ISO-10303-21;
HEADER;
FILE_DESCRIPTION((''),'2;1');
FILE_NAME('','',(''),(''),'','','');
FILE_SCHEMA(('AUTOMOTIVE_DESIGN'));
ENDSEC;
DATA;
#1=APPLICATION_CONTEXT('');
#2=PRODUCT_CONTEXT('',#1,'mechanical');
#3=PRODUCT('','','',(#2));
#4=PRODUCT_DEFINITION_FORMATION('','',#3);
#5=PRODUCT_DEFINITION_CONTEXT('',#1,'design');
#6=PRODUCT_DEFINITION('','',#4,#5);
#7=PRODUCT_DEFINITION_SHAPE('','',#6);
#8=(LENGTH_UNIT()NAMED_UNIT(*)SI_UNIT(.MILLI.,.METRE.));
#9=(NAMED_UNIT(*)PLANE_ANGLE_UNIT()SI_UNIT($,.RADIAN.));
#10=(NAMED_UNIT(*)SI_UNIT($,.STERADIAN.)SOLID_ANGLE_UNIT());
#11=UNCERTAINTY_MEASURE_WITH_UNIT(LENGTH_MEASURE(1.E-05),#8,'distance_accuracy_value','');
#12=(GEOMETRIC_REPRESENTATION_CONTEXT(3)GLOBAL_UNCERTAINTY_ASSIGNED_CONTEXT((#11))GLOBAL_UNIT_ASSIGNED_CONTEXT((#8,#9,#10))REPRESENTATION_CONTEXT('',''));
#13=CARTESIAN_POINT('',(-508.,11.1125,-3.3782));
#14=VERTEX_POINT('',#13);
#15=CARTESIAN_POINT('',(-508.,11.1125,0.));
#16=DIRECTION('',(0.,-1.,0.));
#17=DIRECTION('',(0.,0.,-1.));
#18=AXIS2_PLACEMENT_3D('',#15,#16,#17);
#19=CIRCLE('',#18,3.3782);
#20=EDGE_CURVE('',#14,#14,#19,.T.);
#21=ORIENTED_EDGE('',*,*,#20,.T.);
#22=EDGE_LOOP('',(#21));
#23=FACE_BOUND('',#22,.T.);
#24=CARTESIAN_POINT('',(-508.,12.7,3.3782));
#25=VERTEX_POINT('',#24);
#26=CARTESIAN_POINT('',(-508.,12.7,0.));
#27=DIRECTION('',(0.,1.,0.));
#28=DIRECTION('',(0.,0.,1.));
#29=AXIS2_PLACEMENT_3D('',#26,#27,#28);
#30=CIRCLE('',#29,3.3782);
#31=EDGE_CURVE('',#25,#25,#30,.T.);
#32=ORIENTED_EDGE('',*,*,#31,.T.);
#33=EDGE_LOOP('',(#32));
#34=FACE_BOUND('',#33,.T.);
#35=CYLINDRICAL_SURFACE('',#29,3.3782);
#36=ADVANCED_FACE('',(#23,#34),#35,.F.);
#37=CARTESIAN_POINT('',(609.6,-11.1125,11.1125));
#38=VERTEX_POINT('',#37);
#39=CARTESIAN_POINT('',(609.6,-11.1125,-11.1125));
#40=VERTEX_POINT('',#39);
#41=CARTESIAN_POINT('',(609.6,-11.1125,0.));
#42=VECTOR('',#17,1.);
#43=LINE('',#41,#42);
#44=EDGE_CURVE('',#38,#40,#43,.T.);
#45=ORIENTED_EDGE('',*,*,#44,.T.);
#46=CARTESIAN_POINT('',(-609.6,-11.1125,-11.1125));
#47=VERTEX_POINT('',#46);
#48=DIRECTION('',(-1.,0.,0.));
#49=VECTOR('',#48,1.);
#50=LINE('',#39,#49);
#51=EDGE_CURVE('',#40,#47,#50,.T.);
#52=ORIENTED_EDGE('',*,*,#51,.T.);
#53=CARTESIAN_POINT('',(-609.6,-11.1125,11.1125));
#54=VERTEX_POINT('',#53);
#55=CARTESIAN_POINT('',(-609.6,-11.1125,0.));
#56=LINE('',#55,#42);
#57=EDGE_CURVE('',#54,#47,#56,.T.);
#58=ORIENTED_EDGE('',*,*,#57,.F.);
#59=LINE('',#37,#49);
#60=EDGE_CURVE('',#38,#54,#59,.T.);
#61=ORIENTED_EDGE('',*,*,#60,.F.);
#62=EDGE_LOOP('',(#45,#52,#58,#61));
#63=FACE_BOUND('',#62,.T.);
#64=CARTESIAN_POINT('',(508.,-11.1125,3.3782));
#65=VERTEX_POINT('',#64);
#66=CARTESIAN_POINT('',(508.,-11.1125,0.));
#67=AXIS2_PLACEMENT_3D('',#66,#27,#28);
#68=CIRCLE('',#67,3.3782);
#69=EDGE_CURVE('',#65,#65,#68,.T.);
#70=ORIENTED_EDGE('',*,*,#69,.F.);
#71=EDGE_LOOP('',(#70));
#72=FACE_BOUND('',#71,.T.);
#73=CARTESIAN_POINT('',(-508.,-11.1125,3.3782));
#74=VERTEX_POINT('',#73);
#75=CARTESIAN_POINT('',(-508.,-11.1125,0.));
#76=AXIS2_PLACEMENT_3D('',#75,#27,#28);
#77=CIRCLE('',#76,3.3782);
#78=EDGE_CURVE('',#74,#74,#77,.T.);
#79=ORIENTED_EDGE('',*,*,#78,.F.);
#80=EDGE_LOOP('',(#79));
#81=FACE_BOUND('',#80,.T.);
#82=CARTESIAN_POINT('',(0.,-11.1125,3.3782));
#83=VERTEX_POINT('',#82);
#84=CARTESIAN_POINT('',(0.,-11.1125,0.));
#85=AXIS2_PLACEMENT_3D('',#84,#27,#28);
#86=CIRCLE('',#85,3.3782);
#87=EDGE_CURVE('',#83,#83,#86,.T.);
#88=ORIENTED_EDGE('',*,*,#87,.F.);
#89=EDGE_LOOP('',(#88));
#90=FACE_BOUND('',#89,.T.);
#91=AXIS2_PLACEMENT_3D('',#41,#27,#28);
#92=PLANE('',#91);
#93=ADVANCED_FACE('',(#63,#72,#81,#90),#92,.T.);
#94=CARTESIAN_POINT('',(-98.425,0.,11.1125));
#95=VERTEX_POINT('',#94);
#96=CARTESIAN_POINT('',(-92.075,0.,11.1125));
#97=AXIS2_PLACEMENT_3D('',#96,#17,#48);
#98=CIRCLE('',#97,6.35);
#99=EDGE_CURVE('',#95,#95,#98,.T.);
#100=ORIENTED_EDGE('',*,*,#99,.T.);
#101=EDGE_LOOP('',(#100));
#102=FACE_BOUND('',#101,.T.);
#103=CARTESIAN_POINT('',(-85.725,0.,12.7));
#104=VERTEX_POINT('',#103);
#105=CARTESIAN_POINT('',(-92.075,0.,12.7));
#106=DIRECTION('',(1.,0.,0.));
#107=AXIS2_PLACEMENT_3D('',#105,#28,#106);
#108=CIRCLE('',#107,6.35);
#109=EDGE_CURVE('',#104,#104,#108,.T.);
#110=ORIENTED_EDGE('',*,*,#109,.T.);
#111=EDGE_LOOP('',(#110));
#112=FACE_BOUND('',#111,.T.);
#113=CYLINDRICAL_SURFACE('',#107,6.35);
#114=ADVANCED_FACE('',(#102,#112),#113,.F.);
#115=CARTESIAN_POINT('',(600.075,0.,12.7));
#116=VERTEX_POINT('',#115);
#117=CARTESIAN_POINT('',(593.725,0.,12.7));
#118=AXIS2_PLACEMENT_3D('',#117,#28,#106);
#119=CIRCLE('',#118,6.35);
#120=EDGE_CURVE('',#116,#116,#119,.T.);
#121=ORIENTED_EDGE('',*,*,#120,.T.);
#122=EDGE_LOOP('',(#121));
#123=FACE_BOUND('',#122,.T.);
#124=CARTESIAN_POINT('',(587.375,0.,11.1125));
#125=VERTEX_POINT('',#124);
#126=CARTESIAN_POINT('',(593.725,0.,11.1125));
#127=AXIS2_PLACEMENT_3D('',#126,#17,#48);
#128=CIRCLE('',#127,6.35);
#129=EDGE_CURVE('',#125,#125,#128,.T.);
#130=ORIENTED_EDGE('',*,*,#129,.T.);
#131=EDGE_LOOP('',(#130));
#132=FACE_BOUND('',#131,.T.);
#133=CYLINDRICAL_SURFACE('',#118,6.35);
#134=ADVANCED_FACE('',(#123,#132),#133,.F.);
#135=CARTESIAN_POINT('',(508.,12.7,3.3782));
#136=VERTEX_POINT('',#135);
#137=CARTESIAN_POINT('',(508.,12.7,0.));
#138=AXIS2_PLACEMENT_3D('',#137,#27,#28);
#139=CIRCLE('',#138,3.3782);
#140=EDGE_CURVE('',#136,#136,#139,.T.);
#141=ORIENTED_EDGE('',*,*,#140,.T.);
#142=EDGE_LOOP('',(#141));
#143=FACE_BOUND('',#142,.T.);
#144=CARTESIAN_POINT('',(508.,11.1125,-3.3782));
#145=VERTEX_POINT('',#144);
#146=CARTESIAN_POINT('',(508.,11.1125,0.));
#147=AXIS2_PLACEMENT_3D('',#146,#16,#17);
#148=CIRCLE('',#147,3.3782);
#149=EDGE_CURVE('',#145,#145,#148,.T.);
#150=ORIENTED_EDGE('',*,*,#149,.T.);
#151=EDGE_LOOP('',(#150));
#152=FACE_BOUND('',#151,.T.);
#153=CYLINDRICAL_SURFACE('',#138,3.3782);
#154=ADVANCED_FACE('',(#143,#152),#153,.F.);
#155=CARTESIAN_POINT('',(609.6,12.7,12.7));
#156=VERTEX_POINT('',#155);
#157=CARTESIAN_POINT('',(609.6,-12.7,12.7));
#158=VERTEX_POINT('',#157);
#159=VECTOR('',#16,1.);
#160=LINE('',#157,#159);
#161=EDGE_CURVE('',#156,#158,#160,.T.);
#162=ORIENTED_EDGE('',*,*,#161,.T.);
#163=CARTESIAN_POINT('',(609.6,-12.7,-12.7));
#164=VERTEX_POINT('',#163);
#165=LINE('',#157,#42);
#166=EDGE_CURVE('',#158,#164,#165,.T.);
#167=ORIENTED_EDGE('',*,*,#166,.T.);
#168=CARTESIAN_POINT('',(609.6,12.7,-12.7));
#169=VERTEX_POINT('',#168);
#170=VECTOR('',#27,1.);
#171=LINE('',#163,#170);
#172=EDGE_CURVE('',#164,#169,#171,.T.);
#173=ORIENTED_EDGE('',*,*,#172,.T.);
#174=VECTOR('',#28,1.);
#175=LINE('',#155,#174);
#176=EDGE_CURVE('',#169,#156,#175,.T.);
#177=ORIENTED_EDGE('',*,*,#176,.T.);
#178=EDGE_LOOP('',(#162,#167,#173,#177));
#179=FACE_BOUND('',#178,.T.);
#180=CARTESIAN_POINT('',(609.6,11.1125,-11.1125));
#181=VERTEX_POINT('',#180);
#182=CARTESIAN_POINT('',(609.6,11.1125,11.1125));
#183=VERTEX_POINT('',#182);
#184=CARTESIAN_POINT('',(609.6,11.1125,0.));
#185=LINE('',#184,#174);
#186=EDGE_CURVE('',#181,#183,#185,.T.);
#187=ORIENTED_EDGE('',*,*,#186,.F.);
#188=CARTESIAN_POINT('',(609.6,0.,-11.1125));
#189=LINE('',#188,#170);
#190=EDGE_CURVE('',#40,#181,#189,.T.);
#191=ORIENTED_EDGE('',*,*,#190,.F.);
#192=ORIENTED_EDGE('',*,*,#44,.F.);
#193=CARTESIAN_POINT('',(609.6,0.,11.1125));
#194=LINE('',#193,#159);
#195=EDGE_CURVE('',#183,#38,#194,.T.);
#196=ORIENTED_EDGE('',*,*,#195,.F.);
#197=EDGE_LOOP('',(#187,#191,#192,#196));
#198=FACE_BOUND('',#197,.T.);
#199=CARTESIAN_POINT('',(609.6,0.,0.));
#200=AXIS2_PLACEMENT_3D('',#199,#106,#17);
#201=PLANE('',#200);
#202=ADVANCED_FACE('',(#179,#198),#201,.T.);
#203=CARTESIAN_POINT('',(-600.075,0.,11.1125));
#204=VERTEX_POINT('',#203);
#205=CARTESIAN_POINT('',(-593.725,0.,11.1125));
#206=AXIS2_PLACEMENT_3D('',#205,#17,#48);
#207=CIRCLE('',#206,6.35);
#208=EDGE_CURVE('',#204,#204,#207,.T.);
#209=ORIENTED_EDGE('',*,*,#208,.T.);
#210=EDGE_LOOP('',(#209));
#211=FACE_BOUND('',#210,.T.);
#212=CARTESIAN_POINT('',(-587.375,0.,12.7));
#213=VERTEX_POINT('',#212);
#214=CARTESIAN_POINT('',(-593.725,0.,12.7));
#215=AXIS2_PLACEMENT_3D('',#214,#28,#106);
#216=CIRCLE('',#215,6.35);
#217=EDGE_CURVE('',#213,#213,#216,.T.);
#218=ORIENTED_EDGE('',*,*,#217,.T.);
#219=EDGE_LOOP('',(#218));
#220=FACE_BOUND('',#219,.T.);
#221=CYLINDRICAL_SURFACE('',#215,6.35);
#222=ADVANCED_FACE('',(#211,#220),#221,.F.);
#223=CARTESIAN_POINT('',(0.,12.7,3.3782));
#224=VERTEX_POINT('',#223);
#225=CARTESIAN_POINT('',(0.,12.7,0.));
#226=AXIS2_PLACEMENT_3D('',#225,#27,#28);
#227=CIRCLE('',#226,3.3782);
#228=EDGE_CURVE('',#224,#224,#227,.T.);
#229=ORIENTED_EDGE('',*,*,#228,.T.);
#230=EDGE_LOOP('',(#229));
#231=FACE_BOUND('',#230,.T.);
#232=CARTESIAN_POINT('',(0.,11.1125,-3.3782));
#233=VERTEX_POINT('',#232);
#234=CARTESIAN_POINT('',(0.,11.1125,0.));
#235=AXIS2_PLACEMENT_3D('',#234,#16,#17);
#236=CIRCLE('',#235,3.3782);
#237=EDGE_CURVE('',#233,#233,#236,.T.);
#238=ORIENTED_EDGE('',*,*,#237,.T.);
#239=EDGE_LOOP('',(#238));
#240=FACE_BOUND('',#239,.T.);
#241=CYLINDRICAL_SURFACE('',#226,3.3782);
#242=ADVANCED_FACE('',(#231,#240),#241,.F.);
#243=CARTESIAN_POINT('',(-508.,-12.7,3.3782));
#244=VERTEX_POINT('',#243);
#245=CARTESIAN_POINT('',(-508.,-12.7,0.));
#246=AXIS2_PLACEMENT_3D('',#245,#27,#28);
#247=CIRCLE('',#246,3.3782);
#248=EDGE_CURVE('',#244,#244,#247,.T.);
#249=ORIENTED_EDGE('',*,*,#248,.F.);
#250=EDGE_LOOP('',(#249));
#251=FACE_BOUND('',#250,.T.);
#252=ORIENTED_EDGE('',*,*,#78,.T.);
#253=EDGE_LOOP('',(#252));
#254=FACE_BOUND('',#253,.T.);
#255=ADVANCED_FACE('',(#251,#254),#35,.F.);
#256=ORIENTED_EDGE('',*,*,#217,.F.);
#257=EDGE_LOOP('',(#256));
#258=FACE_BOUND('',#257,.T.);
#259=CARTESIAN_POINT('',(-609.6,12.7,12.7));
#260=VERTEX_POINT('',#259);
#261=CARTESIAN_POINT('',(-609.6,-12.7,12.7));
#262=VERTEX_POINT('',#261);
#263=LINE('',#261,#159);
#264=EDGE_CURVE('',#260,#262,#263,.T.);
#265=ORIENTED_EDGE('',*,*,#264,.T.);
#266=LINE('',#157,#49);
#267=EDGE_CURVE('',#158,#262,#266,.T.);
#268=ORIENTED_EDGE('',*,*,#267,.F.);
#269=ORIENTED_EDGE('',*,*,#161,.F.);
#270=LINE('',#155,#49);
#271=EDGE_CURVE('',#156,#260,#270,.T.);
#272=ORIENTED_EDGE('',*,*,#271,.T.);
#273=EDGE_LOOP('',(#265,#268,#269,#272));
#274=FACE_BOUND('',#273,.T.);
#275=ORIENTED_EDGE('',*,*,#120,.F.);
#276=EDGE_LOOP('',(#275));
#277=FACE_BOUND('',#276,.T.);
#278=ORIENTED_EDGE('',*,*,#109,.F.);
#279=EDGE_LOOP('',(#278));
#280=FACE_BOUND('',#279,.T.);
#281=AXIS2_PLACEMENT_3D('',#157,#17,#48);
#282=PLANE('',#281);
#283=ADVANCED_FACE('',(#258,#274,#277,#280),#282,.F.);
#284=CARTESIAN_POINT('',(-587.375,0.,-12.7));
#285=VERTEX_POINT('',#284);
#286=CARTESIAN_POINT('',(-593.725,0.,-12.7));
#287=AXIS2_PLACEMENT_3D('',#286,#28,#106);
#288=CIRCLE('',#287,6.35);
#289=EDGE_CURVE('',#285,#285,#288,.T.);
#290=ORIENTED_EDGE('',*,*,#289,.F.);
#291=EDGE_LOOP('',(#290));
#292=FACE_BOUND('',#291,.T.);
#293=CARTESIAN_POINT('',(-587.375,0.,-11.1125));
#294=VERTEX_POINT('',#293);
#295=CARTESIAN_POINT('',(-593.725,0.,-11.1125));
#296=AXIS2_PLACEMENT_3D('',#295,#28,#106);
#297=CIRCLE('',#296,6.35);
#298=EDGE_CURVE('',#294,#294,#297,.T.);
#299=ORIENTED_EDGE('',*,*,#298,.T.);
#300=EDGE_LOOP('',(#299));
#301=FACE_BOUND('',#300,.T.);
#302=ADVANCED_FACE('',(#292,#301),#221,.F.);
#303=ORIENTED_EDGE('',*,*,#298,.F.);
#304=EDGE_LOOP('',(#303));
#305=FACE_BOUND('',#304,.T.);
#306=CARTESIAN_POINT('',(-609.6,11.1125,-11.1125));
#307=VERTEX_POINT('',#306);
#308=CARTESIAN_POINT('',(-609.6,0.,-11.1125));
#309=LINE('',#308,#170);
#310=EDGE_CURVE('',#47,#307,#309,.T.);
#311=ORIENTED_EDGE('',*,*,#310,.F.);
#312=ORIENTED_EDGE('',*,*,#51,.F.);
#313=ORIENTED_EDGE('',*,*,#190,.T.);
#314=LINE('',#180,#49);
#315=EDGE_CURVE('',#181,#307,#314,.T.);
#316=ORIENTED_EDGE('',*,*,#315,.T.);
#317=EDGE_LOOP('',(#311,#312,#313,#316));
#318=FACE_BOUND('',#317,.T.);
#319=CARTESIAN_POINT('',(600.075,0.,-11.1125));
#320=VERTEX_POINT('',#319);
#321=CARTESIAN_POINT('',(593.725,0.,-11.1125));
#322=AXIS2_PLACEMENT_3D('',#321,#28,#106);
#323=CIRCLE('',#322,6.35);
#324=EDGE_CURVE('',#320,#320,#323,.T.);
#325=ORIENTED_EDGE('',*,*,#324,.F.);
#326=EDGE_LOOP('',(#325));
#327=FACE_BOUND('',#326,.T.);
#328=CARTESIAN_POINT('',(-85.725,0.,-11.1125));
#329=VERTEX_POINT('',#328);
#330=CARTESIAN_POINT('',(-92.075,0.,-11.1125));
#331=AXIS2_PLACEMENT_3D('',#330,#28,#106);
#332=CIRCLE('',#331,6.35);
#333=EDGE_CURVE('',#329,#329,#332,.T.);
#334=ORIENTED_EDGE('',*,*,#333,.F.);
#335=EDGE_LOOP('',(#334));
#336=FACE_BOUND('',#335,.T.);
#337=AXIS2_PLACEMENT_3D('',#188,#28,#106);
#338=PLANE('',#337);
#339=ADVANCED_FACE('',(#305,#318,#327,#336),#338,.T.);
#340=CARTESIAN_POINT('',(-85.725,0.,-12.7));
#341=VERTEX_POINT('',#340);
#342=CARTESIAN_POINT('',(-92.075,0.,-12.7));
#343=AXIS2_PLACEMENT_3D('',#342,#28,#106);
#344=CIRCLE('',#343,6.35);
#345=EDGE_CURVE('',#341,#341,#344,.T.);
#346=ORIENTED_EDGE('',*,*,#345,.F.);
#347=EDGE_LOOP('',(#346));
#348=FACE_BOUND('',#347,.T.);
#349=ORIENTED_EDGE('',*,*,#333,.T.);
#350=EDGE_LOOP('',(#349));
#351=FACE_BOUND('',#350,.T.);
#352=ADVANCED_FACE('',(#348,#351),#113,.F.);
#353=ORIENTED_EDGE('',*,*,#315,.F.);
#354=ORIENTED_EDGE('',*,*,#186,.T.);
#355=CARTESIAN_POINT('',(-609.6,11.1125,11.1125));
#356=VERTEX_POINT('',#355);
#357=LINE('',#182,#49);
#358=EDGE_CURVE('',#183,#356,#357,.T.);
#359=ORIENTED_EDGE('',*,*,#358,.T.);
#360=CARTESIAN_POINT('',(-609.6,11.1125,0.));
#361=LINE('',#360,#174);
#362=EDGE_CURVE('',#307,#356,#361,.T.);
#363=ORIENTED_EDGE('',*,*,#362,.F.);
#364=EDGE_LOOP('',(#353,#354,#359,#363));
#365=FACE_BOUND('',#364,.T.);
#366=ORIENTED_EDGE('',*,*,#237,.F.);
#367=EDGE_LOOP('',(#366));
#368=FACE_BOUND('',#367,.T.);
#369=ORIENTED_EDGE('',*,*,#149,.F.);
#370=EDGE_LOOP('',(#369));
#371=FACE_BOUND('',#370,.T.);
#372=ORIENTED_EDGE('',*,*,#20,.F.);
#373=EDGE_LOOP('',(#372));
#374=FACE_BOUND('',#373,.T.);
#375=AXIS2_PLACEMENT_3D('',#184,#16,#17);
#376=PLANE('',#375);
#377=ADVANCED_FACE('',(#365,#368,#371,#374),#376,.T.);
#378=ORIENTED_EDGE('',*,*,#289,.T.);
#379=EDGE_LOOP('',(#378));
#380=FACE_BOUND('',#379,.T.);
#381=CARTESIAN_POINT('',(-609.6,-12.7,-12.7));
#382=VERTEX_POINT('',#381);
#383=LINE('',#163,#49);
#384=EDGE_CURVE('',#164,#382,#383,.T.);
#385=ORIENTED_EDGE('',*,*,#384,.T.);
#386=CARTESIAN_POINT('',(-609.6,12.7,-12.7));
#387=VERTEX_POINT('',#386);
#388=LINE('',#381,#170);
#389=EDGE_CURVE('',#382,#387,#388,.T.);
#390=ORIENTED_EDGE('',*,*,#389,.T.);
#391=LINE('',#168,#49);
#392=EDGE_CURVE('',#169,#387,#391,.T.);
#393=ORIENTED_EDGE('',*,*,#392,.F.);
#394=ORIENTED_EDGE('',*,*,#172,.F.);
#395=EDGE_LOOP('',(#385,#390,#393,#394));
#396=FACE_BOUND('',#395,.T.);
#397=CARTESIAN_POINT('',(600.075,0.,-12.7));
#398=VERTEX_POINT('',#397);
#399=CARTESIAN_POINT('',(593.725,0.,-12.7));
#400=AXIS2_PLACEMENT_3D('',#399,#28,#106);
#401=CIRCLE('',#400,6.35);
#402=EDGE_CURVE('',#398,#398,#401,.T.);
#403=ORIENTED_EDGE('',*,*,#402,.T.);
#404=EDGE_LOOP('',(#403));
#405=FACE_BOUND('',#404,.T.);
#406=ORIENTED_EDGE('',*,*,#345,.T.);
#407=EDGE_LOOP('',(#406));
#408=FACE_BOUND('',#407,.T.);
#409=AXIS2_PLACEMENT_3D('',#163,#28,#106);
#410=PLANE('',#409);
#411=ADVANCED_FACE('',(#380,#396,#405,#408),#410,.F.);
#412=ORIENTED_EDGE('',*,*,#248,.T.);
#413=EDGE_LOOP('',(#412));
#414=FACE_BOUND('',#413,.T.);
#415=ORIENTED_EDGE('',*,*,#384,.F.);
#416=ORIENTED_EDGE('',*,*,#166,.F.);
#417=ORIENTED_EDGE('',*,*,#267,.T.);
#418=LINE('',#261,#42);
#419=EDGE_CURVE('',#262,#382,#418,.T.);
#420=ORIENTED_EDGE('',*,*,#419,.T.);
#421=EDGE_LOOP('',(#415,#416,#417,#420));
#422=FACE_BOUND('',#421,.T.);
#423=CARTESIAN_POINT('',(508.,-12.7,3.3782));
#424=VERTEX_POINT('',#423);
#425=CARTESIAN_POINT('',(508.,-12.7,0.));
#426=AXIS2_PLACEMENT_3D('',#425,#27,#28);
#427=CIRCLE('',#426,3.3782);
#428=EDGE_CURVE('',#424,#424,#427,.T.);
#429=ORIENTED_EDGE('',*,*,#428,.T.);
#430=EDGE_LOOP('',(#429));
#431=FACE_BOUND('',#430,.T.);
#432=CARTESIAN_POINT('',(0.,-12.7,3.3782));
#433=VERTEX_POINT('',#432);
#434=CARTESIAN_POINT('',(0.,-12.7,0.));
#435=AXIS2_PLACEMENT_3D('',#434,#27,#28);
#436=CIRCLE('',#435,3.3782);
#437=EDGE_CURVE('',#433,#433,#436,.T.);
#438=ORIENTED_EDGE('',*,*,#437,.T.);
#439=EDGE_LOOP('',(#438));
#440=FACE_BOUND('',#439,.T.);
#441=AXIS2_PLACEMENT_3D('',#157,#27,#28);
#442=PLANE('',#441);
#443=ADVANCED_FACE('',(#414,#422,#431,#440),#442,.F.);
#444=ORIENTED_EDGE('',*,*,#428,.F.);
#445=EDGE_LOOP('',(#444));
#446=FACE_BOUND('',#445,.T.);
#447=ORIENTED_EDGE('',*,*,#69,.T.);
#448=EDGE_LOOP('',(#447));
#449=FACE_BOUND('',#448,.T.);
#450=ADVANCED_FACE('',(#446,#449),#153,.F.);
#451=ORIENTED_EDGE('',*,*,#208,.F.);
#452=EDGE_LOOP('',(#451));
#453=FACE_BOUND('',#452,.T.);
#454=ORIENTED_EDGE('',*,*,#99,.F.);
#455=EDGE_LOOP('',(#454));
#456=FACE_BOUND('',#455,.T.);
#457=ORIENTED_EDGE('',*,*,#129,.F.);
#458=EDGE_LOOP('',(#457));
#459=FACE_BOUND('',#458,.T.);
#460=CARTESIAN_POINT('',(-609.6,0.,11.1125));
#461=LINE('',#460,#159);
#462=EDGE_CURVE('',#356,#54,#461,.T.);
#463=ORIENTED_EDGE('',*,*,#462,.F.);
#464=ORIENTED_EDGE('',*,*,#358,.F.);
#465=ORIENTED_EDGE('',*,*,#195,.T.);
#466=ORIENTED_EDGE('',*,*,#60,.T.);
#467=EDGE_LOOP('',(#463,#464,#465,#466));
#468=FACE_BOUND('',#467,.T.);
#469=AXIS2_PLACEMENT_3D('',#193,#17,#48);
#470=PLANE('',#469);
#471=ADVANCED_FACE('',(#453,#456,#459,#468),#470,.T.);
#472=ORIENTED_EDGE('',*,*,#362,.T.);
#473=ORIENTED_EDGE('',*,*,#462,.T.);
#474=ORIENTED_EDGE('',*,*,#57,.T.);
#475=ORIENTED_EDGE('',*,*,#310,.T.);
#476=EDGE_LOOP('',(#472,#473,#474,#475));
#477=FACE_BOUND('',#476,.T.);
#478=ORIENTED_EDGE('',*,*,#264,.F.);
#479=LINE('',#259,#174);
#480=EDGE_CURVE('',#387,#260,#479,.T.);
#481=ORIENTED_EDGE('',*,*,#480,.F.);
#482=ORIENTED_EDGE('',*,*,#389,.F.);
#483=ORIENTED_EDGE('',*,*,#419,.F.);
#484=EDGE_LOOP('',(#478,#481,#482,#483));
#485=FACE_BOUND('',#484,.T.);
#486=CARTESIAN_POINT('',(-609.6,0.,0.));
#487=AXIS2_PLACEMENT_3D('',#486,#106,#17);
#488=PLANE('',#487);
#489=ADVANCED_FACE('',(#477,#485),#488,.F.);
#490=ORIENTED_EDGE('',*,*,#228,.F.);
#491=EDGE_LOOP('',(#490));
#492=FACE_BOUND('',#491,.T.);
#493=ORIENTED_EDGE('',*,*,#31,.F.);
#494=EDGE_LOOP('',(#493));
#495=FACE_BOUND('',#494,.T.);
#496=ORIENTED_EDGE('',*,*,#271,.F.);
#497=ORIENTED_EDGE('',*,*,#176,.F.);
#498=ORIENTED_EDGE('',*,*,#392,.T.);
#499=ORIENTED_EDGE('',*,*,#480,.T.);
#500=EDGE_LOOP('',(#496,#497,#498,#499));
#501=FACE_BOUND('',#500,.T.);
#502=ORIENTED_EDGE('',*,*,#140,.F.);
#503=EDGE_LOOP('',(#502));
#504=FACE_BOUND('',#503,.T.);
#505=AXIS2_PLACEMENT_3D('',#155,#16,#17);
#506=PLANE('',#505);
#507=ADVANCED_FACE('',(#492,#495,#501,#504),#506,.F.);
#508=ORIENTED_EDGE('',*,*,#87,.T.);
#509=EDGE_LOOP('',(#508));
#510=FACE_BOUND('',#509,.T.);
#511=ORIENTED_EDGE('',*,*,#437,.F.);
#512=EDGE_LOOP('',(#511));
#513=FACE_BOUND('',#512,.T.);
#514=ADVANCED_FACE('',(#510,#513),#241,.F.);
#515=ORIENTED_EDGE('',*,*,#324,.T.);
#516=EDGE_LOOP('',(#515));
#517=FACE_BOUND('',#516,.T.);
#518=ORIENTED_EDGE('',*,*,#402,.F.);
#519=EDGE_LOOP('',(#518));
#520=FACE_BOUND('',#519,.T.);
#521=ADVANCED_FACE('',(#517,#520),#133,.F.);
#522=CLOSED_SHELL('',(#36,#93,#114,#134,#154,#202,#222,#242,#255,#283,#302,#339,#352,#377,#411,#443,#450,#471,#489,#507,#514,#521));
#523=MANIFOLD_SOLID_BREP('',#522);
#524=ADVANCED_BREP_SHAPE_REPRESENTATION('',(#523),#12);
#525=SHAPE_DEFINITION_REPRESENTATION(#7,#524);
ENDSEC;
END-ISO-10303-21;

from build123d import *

# Parameters (mm, degrees)
SKETCH1_W                  = 25.4
SKETCH1_H                  = 25.4
SKETCH1_W_2                = 22.225
SKETCH1_H_2                = 22.225
EXTRUDE_THIN1_DEPTH        = 609.6
F_1_2_0_5_DIAMETER_HOLE1_D = 12.7
F_1_4_CLEARANCE_HOLE1_D    = 6.7564


with BuildPart() as part:
    # Sketch1 → Extrude-Thin1 (new, symmetric)
    with BuildSketch(Plane(origin=(0, 0, 0), x_dir=(0, 0, -1), z_dir=(1, 0, 0))):
        Rectangle(SKETCH1_W, SKETCH1_H)
        Rectangle(SKETCH1_W_2, SKETCH1_H_2, mode=Mode.SUBTRACT)
    extrude(amount=EXTRUDE_THIN1_DEPTH, both=True)

    # 1/2 (0.5) Diameter Hole1 (through all)
    with Locations(Plane.XY.offset(12.7)):
        with Locations((-593.725, 0), (593.725, 0), (-92.075, 0)):
            Hole(F_1_2_0_5_DIAMETER_HOLE1_D / 2)

    # 1/4 Clearance Hole1 (through all)
    with Locations(Plane(origin=(0, 12.7, 0), x_dir=(1, 0, 0), z_dir=(0, 1, 0))):
        with Locations((-508, 0), (0, 0), (508, 0)):
            Hole(F_1_4_CLEARANCE_HOLE1_D / 2)


solid = part.part
